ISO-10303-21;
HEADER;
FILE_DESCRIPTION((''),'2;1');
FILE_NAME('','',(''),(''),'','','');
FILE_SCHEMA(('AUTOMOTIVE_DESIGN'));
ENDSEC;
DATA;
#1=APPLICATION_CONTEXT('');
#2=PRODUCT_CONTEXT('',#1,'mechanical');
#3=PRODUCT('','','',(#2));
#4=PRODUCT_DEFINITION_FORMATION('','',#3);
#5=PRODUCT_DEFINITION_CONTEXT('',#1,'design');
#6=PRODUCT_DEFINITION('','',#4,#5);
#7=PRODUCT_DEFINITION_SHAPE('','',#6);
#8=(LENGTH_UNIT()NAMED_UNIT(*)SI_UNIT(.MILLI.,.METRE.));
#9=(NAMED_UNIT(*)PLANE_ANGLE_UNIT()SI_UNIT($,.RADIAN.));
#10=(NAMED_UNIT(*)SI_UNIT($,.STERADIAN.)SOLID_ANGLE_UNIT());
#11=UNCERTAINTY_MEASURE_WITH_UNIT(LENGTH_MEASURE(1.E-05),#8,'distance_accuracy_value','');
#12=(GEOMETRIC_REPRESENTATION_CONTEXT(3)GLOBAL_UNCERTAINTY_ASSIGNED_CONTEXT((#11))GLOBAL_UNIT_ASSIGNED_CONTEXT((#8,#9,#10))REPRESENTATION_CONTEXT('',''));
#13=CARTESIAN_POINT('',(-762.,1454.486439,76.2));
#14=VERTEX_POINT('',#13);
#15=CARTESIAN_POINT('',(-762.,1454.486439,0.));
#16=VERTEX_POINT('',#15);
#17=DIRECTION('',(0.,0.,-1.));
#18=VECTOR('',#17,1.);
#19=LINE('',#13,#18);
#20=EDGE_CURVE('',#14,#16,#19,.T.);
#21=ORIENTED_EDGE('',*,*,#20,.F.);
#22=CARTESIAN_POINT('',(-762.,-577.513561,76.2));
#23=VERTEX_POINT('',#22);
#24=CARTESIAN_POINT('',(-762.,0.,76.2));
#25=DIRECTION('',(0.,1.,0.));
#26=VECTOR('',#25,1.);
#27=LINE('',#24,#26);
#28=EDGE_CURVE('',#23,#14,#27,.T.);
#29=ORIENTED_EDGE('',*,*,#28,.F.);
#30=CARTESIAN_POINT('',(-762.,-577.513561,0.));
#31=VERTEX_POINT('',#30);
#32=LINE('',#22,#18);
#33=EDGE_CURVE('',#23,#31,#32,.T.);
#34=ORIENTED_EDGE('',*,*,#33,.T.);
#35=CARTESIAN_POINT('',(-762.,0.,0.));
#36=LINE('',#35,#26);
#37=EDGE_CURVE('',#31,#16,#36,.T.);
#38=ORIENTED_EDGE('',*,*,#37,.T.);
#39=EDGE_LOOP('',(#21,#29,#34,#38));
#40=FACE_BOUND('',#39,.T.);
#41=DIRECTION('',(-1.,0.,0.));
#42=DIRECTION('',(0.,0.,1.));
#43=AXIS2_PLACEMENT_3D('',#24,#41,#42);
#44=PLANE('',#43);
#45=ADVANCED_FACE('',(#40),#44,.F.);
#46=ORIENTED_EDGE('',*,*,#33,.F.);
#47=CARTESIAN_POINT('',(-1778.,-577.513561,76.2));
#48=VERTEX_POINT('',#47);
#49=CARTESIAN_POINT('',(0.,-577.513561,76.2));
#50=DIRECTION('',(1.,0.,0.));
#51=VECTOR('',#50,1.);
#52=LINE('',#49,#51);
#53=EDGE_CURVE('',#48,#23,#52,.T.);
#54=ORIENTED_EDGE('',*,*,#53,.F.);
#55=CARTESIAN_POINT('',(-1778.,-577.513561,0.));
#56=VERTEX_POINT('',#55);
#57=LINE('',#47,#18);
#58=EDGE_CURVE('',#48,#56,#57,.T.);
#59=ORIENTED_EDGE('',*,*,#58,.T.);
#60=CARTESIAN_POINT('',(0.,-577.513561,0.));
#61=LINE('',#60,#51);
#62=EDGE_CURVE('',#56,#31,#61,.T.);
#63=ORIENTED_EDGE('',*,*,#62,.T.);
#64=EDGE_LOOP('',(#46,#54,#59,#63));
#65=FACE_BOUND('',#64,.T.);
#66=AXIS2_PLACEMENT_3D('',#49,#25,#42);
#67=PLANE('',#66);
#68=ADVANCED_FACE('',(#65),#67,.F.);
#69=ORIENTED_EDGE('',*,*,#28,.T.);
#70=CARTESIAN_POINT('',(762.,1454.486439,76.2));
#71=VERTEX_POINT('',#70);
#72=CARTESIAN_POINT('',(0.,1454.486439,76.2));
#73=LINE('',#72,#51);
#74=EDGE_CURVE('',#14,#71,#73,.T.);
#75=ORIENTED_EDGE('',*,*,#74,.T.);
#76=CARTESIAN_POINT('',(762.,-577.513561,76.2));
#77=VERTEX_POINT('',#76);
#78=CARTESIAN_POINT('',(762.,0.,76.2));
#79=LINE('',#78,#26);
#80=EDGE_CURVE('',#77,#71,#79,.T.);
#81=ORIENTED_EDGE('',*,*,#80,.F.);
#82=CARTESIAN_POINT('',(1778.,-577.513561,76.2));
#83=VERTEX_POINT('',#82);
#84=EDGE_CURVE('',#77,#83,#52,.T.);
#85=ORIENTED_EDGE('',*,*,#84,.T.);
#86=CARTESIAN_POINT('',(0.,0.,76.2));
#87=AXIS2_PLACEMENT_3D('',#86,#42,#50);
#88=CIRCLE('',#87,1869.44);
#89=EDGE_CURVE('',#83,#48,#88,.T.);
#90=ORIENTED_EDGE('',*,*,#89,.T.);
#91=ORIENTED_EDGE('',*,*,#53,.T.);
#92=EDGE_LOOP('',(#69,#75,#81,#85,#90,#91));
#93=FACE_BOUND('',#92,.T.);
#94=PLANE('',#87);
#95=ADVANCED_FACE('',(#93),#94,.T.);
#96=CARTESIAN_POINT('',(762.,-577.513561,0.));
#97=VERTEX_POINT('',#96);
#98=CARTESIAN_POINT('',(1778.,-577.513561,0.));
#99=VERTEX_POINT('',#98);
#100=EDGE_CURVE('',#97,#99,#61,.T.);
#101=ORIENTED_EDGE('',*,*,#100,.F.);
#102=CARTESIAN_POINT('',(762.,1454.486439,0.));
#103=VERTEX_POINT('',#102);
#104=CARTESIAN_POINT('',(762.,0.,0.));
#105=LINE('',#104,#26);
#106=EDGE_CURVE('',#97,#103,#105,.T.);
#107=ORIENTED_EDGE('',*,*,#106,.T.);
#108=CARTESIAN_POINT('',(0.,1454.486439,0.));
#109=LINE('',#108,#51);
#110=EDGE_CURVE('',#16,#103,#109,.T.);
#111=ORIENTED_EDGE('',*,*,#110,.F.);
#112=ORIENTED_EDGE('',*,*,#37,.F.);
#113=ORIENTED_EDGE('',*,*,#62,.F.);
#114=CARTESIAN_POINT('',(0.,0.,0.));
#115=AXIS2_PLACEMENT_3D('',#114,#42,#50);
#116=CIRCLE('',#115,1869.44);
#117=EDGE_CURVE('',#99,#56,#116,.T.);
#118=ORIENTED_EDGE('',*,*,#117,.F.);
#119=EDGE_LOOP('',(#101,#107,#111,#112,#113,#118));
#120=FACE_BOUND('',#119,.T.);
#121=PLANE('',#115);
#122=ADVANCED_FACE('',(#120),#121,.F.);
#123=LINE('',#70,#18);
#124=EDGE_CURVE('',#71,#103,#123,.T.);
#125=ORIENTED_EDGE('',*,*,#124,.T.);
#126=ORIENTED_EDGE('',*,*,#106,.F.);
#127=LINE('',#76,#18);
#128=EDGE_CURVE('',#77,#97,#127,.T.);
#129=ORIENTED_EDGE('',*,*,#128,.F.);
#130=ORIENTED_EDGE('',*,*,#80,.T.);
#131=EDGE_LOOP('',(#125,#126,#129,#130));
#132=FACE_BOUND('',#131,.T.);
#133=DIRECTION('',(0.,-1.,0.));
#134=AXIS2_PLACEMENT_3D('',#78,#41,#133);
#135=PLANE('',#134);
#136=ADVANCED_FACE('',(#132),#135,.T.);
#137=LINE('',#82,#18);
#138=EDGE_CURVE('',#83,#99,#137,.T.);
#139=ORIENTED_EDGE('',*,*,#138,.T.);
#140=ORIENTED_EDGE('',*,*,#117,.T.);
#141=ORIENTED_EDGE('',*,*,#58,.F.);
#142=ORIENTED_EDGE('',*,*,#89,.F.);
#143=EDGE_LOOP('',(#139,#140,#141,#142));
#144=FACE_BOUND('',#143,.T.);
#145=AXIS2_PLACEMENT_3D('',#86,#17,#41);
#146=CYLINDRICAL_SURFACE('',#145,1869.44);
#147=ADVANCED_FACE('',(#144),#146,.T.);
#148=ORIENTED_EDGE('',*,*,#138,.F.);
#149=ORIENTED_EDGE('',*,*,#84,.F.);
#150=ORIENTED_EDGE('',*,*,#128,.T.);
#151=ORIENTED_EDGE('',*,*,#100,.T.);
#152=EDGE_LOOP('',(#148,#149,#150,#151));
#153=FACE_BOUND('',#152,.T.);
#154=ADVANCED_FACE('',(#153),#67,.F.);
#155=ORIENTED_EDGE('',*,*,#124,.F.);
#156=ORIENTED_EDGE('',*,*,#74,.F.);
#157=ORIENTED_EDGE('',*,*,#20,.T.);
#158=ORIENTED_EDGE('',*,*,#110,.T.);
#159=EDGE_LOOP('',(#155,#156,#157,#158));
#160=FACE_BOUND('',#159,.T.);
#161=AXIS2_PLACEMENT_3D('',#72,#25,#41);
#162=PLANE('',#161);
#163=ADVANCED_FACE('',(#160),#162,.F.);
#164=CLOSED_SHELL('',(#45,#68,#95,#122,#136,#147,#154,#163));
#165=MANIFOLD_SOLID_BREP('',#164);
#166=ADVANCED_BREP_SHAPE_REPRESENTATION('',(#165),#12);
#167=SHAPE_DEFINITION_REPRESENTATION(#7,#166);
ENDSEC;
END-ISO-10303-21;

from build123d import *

# Parameters (mm, degrees)
BOSS_EXTRUDE1_DEPTH = 76.2


with BuildPart() as part:
    # Sketch1 → Boss-Extrude1 (new body)
    with BuildSketch(Plane.XY):
        with BuildLine():
            ThreePointArc((1869.44, 0), (1321.893701021, 1321.893701021), (0, 1869.44))
            Line((0, 1869.44), (0, 1454.486438601))
            Line((0, 1454.486438601), (762, 1454.486438601))
            Line((762, 1454.486438601), (762, -577.513561399))
            Line((762, -577.513561399), (1778, -577.513561399))
            ThreePointArc((1778, -577.513561399), (1846.438495266, -292.353889661), (1869.44, 0))
        make_face()
        with BuildLine():
            ThreePointArc((0, 1869.44), (-1512.354598932, 1098.903763161), (-1778, -577.513561399))
            Line((-1778, -577.513561399), (-762, -577.513561399))
            Line((-762, -577.513561399), (-762, 1454.486438601))
            Line((-762, 1454.486438601), (0, 1454.486438601))
            Line((0, 1454.486438601), (0, 1869.44))
        make_face()
    extrude(amount=BOSS_EXTRUDE1_DEPTH)


solid = part.part
